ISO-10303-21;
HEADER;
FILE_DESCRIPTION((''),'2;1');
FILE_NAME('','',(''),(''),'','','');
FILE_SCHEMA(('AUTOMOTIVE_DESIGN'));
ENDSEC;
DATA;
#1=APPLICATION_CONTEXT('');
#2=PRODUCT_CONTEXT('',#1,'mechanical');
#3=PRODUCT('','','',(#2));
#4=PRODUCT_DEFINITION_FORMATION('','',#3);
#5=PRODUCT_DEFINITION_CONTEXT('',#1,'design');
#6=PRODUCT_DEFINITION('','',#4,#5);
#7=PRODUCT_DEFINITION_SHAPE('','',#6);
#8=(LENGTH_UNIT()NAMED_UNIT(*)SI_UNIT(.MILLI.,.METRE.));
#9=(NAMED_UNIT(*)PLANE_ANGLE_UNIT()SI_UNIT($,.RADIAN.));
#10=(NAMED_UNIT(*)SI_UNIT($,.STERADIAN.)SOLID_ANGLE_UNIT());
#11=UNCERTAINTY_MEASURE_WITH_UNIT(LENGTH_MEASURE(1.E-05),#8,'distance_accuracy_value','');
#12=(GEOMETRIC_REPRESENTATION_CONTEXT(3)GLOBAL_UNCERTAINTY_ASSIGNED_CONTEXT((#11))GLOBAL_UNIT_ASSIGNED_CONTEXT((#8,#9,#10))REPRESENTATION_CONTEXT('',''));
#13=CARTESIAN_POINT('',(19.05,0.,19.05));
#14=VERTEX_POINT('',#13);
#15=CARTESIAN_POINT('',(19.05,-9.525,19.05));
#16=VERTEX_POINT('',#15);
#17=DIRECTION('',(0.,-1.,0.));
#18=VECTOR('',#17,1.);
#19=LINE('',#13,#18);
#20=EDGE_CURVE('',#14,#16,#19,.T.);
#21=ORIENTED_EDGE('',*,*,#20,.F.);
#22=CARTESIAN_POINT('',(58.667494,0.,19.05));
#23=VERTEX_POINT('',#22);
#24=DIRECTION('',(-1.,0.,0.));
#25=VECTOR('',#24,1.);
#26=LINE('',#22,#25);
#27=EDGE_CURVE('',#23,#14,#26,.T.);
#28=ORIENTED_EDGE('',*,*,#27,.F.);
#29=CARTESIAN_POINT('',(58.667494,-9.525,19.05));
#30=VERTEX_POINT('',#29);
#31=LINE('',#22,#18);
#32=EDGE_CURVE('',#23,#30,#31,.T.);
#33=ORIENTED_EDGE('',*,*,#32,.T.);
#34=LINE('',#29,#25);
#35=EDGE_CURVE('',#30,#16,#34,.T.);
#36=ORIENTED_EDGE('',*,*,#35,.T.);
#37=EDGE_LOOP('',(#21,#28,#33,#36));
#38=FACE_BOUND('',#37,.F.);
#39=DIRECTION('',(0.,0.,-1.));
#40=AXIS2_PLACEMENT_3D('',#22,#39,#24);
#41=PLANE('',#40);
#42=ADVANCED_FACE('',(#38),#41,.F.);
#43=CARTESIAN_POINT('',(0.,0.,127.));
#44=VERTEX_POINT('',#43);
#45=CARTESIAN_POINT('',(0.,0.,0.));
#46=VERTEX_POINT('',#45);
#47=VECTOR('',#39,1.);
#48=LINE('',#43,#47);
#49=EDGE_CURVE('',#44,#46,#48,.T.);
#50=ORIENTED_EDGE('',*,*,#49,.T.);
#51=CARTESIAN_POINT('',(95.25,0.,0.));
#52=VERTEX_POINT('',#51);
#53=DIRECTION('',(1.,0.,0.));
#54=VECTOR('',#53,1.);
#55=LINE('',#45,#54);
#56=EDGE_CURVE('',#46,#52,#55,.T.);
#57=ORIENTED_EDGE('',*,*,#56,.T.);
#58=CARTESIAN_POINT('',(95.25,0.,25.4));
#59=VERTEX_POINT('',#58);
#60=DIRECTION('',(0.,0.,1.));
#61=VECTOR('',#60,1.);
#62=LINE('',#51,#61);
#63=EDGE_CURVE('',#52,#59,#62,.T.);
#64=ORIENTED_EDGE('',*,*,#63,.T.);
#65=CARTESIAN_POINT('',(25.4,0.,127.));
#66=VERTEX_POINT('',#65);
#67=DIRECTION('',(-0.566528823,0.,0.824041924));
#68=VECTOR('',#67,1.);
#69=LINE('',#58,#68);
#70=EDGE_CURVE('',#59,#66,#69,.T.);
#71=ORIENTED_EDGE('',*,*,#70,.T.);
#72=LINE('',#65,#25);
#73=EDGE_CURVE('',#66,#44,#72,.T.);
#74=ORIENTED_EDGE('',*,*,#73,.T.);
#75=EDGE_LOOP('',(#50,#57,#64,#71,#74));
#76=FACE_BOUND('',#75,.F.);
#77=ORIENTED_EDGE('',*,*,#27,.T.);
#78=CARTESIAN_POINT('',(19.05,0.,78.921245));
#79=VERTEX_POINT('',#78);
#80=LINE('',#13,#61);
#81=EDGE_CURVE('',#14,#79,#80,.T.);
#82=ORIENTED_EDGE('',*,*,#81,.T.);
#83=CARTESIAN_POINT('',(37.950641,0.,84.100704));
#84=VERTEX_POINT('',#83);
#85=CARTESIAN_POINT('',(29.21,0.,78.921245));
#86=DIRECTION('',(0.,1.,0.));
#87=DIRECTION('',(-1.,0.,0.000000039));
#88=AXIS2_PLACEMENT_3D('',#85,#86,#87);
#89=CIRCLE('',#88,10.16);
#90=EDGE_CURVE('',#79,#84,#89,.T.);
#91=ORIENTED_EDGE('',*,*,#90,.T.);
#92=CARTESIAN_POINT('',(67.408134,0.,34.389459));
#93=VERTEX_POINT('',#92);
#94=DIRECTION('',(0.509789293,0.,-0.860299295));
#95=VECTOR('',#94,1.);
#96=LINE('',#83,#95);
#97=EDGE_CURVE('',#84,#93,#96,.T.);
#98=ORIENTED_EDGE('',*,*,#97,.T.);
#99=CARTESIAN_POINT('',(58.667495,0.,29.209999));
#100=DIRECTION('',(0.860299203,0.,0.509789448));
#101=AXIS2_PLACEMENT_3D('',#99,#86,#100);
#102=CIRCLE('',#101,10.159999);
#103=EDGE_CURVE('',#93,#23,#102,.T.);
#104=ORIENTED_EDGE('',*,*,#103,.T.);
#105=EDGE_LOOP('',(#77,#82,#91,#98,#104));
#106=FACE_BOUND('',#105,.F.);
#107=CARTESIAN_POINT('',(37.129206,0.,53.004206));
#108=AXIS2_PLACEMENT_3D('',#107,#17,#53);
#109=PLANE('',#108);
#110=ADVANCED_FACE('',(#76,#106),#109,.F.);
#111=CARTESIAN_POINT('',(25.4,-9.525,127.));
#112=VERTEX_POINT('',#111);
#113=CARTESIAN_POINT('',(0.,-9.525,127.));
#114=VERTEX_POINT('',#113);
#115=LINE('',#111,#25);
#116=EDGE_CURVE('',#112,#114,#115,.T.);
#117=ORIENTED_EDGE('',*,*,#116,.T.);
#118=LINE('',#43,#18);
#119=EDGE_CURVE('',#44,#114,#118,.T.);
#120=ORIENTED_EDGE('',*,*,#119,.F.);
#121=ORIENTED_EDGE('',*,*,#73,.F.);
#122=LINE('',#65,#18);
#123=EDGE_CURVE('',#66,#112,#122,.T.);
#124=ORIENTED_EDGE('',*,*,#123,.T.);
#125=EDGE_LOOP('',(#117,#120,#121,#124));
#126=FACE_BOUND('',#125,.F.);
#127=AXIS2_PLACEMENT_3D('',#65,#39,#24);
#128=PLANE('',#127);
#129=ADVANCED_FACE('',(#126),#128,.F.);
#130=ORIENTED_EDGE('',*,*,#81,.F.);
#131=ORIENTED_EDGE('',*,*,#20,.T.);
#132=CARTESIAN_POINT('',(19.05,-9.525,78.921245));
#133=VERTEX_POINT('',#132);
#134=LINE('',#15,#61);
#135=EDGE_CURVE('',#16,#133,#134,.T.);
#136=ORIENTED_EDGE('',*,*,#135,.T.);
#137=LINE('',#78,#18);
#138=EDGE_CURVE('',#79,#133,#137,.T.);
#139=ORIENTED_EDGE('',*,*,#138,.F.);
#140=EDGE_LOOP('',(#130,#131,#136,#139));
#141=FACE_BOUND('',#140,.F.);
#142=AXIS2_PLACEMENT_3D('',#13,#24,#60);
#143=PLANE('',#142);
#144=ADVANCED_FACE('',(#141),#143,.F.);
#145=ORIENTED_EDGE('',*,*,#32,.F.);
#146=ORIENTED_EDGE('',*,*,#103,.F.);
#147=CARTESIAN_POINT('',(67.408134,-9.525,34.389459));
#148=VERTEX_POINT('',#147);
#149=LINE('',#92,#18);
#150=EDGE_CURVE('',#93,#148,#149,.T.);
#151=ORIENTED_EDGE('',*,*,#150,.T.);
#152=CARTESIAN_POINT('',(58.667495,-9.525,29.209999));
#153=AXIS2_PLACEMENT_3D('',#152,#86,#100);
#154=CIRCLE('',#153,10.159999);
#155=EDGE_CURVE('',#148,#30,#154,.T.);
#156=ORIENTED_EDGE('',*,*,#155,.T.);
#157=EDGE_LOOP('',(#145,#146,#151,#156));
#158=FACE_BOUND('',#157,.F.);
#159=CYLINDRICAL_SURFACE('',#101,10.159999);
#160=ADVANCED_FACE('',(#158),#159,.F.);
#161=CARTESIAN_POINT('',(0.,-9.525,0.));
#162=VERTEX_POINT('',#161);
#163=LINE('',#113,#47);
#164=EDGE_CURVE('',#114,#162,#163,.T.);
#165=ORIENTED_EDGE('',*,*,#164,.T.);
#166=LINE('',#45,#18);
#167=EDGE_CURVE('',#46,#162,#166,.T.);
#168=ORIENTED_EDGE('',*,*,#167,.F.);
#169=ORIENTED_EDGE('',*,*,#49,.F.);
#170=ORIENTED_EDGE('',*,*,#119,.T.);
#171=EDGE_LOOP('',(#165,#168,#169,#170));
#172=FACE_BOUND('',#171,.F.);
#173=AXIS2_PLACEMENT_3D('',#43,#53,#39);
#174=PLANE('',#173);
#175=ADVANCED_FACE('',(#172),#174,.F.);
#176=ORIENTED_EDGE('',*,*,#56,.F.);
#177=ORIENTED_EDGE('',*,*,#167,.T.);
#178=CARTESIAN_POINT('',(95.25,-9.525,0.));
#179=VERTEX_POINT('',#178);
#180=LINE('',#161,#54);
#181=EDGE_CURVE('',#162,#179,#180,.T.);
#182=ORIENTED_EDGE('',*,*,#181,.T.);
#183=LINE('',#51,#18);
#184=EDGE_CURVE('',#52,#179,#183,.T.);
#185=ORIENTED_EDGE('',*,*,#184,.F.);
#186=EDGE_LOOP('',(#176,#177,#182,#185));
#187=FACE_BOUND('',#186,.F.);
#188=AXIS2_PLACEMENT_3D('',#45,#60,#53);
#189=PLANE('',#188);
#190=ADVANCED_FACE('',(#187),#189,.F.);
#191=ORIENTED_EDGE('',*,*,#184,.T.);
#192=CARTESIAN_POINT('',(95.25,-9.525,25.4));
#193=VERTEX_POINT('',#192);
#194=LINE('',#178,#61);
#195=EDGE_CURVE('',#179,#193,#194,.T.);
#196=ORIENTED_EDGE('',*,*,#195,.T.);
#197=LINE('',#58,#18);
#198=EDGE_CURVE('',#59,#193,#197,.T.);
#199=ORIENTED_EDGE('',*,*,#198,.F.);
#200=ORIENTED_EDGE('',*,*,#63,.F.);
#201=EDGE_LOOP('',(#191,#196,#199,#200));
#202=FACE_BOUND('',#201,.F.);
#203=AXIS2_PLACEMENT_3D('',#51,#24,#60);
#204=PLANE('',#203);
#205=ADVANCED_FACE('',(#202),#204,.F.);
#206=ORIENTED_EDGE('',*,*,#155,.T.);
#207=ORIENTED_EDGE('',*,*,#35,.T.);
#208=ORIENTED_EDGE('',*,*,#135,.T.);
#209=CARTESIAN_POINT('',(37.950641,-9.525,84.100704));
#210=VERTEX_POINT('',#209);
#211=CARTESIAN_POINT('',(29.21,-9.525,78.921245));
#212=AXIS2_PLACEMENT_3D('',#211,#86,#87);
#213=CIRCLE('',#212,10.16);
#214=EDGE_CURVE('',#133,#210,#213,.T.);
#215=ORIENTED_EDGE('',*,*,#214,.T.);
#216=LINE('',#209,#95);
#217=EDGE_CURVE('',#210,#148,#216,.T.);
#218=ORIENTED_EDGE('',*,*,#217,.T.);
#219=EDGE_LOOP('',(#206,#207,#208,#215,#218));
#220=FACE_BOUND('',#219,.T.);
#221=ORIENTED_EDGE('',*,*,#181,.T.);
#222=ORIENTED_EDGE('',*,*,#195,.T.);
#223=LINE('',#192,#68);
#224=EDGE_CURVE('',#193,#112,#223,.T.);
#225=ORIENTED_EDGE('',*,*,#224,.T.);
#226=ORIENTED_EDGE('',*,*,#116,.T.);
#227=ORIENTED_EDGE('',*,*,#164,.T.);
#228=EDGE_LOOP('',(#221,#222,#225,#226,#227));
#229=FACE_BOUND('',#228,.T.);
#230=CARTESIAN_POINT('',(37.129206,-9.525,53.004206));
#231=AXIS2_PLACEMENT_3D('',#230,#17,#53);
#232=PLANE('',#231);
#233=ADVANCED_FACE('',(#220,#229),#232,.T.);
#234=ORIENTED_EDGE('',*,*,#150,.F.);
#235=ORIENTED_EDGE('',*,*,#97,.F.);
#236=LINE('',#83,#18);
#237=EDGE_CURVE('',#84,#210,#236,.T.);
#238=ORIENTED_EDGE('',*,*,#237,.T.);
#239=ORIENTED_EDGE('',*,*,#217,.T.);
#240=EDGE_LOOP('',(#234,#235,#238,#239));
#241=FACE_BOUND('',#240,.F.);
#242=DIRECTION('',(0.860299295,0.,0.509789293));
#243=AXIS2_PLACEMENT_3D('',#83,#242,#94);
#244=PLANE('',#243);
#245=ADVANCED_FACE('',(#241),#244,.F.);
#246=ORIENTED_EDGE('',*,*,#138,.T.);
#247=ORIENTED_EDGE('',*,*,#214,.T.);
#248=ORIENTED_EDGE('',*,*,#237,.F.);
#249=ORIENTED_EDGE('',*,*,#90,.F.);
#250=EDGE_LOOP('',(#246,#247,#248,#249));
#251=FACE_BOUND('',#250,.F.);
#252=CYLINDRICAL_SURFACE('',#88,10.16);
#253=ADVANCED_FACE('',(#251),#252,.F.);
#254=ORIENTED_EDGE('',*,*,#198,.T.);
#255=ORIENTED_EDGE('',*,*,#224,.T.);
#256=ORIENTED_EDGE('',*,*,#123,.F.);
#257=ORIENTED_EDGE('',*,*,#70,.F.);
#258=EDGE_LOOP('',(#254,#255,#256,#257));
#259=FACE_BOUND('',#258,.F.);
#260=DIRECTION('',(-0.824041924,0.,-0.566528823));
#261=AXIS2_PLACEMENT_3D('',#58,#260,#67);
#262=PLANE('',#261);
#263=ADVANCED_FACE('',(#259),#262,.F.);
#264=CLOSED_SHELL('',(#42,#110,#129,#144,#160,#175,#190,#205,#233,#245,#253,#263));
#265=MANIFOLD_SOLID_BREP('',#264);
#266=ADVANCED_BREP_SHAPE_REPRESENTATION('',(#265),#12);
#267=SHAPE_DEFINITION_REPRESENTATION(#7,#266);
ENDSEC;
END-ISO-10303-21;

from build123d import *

# Parameters (mm, degrees)
F1_DEPTH = 9.525


with BuildPart() as f1:
    # F0 (on Front) → F1 (new body)
    with BuildSketch(Plane.XZ):
        Polygon((0, 54.649789), (0, 0), (95.25, 0), (95.25, 25.4), (25.4, 127), (0, 127), align=None)
        with BuildLine():
            Line((19.05, 19.05), (19.05, 54.649789))
            Line((19.05, 54.649789), (19.05, 78.921245))
            ThreePointArc((19.05, 78.921245), (26.524791, 88.719982), (37.950641, 84.100704))
            Line((37.950641, 84.100704), (67.408134, 34.389459))
            ThreePointArc((67.408134, 34.389459), (67.494977, 24.179975), (58.667494, 19.05))
            Line((58.667494, 19.05), (19.05, 19.05))
        make_face(mode=Mode.SUBTRACT)
    extrude(amount=F1_DEPTH)


solid = f1.part
